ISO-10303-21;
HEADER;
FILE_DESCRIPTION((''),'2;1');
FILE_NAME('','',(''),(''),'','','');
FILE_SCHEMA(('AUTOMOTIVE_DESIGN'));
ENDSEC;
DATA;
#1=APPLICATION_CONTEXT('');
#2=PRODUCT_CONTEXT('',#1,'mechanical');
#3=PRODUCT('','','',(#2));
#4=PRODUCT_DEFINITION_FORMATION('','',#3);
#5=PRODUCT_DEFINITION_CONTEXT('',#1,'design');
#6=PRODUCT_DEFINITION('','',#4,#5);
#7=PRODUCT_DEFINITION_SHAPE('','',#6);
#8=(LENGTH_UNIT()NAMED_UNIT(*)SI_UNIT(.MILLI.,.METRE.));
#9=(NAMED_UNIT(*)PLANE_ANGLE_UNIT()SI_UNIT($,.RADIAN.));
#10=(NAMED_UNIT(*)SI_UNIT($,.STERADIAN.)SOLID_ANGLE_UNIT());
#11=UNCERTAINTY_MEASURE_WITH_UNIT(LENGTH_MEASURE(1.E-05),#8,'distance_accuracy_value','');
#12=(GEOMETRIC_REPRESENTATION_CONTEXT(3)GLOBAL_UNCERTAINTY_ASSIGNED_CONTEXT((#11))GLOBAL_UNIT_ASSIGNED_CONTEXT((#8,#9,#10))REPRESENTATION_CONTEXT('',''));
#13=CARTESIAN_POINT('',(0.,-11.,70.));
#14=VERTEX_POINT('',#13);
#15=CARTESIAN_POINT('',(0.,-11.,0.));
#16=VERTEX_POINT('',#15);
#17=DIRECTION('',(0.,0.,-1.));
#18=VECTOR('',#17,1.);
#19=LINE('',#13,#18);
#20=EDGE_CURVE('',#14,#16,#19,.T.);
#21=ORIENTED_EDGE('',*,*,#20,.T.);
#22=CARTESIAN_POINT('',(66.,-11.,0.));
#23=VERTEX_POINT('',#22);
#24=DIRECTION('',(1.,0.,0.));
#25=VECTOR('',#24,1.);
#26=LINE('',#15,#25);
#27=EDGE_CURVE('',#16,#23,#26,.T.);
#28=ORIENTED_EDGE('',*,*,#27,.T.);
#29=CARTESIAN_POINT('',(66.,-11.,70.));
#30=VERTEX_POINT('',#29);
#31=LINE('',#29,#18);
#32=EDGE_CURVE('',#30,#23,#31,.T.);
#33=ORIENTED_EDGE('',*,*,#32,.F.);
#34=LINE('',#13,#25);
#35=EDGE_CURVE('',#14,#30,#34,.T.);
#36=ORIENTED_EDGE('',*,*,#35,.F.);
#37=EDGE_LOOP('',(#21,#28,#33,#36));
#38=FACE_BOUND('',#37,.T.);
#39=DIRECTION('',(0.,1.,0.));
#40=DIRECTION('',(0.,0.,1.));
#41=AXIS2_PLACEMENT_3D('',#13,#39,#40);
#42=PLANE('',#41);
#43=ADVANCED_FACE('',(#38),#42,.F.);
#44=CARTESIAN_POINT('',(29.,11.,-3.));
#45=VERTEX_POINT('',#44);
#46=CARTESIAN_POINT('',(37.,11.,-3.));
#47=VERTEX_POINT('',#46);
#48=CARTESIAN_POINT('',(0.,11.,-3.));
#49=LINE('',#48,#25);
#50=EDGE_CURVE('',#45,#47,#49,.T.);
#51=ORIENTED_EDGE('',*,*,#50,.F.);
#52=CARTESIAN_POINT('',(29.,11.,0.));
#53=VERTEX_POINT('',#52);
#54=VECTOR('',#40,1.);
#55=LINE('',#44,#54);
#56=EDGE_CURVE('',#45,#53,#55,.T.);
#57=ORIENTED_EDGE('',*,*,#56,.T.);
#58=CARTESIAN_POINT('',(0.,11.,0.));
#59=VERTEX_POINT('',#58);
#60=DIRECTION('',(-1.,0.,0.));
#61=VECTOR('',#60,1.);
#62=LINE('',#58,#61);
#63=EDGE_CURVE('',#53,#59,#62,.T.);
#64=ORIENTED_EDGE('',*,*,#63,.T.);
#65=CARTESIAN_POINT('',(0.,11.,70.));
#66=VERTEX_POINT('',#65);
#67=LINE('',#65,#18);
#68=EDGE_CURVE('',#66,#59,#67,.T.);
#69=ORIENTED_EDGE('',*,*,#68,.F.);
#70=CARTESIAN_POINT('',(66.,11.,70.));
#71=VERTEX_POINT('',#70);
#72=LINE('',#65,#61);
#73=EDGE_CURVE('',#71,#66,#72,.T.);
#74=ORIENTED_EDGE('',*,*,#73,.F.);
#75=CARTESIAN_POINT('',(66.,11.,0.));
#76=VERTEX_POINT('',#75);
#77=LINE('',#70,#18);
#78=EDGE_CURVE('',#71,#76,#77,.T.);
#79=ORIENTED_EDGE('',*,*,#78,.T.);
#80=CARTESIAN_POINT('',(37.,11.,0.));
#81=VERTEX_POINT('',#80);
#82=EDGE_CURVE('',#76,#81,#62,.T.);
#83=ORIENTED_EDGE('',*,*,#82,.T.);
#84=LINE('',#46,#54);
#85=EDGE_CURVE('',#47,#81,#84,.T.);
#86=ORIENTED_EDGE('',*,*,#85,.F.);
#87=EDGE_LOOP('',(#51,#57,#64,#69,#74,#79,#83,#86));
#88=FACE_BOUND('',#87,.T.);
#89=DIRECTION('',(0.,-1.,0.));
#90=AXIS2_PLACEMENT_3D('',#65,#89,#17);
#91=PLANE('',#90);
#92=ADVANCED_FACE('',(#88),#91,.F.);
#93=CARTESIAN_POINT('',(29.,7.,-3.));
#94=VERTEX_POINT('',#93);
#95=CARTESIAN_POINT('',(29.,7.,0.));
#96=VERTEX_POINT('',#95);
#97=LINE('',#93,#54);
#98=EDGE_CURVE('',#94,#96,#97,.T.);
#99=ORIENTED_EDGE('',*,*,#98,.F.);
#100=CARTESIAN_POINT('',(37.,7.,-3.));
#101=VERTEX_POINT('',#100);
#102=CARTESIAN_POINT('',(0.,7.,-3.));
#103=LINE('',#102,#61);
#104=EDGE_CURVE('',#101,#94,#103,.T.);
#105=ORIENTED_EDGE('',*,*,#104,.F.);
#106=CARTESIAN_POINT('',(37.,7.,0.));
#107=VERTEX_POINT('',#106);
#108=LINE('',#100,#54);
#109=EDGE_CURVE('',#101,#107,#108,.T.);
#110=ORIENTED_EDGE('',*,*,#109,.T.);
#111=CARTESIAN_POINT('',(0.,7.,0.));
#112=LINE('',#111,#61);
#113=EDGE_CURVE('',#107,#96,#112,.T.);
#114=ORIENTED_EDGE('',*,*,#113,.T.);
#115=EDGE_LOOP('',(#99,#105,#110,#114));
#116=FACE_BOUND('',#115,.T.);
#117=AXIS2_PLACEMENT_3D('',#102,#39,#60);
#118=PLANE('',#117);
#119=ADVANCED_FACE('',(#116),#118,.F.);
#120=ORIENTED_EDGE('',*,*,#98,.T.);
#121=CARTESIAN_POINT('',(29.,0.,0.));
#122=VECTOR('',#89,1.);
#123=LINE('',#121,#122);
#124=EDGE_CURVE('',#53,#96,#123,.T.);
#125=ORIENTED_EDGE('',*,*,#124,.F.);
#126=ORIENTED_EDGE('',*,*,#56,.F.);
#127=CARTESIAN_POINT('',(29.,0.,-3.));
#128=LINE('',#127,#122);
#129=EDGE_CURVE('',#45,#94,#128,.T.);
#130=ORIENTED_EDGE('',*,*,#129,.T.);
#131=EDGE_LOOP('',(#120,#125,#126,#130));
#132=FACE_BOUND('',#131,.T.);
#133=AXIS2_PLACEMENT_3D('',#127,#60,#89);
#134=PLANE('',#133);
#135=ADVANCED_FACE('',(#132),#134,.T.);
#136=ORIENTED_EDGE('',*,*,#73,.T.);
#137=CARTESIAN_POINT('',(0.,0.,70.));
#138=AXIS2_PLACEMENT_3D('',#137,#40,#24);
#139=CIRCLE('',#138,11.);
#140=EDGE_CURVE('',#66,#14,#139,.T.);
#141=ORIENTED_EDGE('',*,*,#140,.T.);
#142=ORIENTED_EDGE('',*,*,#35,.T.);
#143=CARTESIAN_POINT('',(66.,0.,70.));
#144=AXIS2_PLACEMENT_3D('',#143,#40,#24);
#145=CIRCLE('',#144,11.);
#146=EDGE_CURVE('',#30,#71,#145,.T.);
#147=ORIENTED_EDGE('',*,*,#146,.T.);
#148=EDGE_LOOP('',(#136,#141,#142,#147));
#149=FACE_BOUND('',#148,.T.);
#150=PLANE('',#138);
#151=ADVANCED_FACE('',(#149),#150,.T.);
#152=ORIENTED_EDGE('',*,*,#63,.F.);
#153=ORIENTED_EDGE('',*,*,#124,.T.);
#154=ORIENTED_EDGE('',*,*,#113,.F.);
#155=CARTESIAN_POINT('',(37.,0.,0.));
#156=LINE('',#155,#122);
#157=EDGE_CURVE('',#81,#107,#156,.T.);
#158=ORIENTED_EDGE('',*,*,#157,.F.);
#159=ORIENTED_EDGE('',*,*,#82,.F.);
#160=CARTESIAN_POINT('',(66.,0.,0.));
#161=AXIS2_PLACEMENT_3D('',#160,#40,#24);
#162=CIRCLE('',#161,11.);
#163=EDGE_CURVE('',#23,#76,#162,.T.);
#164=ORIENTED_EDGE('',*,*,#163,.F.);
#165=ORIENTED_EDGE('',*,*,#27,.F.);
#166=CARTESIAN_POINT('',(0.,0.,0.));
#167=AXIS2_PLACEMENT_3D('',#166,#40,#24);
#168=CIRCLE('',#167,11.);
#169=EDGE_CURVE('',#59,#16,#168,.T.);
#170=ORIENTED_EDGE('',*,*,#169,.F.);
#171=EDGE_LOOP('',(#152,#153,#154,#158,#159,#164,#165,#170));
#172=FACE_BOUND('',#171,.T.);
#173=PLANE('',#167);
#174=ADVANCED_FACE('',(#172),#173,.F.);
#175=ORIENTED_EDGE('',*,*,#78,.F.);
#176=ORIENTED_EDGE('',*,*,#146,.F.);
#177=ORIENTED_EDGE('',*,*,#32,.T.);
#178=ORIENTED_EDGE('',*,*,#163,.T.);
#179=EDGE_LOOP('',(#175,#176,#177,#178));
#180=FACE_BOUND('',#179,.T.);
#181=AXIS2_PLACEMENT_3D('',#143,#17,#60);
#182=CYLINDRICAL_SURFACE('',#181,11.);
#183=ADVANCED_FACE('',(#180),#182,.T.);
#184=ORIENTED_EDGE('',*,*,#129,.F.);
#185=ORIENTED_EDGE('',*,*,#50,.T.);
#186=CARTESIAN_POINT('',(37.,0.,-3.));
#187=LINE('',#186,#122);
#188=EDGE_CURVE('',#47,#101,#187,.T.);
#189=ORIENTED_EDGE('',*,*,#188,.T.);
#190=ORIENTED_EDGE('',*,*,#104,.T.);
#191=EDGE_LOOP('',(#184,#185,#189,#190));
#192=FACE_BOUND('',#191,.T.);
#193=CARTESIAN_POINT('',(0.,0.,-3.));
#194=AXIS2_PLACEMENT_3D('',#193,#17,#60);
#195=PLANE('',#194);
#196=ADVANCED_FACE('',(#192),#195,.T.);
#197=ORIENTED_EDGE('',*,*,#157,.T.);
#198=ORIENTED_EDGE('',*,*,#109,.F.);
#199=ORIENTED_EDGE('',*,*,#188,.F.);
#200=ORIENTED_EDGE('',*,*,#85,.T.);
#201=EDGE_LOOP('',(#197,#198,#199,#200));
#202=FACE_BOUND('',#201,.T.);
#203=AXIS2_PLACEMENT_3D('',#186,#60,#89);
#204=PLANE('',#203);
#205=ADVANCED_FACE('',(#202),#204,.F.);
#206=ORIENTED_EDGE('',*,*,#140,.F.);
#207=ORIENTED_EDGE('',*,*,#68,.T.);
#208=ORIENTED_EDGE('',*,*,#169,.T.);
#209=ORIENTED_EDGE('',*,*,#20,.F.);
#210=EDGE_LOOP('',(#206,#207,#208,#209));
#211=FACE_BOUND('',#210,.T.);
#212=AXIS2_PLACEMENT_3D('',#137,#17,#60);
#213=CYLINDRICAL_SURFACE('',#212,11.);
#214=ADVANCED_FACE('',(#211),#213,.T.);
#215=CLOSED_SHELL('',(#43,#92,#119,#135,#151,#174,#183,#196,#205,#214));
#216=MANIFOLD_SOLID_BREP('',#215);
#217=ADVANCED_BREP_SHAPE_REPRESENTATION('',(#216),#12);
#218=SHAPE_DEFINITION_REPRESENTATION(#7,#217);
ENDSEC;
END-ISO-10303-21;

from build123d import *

# Parameters (mm, degrees)
EXTRUDE_1_DEPTH = 70
SKETCH_2_W      = 8
SKETCH_2_H      = 4
EXTRUDE_2_DEPTH = 3


with BuildPart() as part:
    # 草图1 → 凸台-拉伸1 (new body)
    with BuildSketch(Plane.XY):
        with BuildLine():
            Line((0, 11), (66, 11))
            ThreePointArc((66, 11), (77, 0), (66, -11))
            Line((66, -11), (0, -11))
            ThreePointArc((0, -11), (-11, 0), (0, 11))
        make_face()
    extrude(amount=EXTRUDE_1_DEPTH)

    # 草图2 → 凸台-拉伸2 (add)
    with BuildSketch(Plane(origin=(0, 0, 0), x_dir=(-1, 0, 0), z_dir=(0, 0, -1))):
        with Locations((-33, 9)):
            Rectangle(SKETCH_2_W, SKETCH_2_H)
    extrude(amount=EXTRUDE_2_DEPTH)


solid = part.part
